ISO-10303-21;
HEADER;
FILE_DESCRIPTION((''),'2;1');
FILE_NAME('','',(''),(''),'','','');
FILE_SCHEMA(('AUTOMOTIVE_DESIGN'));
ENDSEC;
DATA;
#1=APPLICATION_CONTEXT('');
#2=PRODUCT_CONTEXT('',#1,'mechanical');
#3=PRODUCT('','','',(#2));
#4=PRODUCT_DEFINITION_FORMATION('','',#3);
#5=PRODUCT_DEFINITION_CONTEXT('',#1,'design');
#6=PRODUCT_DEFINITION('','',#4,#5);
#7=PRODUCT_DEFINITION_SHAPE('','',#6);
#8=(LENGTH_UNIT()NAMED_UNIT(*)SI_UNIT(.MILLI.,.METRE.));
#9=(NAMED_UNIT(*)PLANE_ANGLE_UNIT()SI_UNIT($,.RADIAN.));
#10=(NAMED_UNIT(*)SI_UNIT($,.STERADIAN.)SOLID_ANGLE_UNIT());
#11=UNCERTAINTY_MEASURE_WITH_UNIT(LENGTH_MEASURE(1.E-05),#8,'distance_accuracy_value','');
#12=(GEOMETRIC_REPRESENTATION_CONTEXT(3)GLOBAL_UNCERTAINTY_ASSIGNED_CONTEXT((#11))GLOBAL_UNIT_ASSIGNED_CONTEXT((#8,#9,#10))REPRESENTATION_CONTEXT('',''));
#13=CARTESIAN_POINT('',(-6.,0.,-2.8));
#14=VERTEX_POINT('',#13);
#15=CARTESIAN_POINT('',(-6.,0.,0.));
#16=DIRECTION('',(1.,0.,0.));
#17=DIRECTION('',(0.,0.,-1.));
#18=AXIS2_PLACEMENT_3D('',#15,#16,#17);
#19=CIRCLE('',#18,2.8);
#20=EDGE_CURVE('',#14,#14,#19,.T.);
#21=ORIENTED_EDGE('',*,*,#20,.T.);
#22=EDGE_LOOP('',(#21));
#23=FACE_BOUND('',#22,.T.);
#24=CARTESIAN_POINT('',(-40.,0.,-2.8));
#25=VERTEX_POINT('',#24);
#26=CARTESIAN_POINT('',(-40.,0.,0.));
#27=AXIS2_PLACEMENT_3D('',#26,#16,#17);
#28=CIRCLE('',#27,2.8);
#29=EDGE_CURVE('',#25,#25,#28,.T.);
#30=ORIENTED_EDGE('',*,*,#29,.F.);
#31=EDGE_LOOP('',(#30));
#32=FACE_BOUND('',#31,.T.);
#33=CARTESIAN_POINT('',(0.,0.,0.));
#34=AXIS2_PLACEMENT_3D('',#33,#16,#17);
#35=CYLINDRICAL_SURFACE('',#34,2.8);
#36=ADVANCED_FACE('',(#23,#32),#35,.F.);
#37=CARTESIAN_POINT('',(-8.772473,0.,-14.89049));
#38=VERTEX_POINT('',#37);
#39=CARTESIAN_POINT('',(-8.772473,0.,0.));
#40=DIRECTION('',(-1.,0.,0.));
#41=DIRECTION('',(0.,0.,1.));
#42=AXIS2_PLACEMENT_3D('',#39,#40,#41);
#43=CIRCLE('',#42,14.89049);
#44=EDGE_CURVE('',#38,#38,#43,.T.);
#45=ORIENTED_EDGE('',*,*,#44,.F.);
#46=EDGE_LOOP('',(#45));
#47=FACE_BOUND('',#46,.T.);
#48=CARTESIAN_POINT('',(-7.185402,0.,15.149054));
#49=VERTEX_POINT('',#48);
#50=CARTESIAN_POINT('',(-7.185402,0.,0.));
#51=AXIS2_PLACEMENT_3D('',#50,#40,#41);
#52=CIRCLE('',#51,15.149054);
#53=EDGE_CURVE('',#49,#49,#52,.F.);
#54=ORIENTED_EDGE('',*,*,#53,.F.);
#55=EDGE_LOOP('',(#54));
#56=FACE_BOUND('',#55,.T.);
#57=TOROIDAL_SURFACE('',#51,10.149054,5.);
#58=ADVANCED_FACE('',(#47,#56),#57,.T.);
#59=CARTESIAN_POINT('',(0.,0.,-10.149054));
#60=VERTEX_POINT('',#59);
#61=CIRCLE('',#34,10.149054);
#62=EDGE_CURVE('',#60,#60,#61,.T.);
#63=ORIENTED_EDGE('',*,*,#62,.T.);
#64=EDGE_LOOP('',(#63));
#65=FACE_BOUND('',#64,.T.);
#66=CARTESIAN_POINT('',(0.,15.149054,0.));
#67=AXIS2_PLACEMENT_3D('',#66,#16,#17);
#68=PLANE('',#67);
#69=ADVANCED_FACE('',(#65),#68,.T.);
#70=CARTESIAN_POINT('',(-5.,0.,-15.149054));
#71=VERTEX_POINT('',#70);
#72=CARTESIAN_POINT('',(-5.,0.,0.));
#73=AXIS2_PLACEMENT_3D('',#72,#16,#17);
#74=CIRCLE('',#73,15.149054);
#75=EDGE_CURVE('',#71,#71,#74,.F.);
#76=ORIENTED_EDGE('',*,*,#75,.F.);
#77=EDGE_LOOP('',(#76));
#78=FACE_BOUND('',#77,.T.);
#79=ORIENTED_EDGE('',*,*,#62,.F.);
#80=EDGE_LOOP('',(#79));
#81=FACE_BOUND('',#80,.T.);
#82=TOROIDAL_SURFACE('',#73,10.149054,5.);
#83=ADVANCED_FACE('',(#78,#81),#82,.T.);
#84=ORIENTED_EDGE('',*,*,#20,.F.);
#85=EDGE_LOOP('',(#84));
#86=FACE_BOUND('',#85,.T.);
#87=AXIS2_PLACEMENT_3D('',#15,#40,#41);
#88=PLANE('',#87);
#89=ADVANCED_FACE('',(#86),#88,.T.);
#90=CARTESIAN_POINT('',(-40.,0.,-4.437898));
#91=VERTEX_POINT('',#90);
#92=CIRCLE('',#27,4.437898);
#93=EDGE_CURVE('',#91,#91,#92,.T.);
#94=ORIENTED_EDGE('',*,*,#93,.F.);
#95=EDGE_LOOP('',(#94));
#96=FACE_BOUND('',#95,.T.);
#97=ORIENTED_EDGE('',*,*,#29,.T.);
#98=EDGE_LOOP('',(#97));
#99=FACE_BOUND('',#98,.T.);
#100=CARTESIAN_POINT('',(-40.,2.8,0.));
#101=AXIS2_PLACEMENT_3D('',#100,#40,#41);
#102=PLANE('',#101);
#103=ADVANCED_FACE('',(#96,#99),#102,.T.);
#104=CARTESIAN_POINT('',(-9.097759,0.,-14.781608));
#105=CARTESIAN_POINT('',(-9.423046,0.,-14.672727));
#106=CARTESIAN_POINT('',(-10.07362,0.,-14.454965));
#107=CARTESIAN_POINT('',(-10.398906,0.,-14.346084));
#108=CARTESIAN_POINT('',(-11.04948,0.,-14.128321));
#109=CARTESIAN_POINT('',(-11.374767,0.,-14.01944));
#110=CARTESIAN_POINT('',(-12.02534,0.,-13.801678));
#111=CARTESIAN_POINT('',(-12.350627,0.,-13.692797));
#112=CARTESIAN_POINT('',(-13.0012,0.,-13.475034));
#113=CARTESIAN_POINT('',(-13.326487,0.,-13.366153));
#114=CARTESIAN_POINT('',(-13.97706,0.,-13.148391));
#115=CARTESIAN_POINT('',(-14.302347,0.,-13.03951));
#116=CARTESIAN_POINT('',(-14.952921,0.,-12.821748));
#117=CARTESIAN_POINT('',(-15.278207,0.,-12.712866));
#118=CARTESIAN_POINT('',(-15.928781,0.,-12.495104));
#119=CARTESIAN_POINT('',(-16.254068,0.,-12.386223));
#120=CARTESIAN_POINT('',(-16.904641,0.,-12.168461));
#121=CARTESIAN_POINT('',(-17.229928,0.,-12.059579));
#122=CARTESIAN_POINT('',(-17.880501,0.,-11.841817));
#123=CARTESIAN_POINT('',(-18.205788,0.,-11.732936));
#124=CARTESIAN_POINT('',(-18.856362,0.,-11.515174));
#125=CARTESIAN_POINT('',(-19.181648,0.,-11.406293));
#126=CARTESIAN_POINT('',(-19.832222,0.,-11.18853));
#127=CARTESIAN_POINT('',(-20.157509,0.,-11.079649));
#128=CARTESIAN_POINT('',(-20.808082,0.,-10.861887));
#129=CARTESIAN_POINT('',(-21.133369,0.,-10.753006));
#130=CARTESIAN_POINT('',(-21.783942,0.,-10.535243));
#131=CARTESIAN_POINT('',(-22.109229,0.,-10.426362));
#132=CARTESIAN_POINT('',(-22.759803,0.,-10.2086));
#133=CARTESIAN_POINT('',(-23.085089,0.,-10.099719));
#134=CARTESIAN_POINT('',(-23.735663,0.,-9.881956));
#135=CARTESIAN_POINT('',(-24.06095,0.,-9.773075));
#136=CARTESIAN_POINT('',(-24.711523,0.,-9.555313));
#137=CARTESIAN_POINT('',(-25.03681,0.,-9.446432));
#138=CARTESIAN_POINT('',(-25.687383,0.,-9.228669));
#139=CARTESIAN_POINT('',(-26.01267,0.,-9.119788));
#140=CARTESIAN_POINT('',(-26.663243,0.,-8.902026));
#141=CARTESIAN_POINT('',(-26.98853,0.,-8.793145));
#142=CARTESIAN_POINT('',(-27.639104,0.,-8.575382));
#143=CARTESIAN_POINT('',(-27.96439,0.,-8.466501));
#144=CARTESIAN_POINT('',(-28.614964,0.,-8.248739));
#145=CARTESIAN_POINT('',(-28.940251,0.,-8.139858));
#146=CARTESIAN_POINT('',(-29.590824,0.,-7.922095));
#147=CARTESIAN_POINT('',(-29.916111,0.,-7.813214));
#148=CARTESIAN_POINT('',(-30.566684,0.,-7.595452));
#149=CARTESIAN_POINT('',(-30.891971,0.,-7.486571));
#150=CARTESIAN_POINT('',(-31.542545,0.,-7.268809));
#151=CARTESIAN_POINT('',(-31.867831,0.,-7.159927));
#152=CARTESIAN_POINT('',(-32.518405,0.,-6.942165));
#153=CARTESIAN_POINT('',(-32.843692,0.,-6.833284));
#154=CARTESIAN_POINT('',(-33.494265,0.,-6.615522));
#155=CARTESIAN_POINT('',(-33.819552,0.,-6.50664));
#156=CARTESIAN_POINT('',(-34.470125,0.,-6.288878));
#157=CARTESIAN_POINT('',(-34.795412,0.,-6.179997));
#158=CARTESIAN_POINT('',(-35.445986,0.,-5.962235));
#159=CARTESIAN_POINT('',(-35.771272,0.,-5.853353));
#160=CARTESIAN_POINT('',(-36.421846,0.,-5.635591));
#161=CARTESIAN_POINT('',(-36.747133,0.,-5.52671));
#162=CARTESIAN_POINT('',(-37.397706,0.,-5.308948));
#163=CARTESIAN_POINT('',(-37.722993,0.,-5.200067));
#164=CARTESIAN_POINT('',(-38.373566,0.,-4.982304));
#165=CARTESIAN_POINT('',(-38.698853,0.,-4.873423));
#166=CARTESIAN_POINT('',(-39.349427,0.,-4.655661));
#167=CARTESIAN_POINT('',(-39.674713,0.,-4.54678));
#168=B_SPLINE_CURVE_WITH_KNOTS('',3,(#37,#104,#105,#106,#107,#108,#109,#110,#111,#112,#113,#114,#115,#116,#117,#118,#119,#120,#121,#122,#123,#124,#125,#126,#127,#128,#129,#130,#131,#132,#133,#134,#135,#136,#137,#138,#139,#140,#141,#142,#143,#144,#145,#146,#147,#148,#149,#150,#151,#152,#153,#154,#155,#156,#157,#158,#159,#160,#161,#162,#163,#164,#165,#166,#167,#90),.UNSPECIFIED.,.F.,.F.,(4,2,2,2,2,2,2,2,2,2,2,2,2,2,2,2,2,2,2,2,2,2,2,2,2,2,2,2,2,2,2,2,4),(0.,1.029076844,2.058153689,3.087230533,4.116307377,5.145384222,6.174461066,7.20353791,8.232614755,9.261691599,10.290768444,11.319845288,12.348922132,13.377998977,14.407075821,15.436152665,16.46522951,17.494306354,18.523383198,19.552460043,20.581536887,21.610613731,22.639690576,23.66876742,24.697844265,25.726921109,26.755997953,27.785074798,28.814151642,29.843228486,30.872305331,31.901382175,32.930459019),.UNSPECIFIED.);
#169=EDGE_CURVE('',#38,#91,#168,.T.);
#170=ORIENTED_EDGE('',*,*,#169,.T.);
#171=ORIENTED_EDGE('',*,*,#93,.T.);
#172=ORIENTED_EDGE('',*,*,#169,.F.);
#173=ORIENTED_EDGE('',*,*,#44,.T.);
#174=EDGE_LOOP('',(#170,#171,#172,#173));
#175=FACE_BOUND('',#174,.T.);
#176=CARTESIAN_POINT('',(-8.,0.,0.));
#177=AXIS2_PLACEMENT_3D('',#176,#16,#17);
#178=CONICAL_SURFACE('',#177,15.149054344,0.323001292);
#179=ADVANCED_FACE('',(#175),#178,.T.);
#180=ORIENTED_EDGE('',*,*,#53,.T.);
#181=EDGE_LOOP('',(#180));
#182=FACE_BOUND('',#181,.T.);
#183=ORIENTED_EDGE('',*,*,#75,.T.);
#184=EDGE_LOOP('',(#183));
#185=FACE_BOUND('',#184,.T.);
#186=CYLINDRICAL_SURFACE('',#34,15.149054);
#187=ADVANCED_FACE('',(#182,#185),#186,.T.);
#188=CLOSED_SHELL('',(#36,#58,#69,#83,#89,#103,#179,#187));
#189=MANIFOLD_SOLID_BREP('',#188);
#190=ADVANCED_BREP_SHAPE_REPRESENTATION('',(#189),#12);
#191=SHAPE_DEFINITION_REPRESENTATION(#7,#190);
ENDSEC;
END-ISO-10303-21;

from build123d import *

# Parameters (mm, degrees)
FILLET1_R = 5
FILLET2_R = 5


with BuildPart() as part:
    # Sketch1 → Revolve1 (revolve)
    with BuildSketch(Plane(origin=(0, 0, 0), x_dir=(0, 1, 0), z_dir=(0, 0, 1)), mode=Mode.PRIVATE) as revolve1_sk:
        Polygon((0, 0), (0, 6), (2.8, 6), (2.8, 40), (4.437898451, 40), (15.149054344, 8), (15.149054344, 0), align=None)
    revolve(revolve1_sk.sketch.rotate(Axis((0, 0, 0), (-1, 0, 0)), 90), axis=Axis((0, 0, 0), (-1, 0, 0)))

    # Fillet1
    fillet1_edges = [part.edges().sort_by_distance(p)[0] for p in [
        (-8, 0, 15.149054344),
    ]]
    fillet(fillet1_edges, radius=FILLET1_R)

    # Fillet2
    fillet2_edges = [part.edges().sort_by_distance(p)[0] for p in [
        (0, 0, 15.149054344),
    ]]
    fillet(fillet2_edges, radius=FILLET2_R)


solid = part.part
